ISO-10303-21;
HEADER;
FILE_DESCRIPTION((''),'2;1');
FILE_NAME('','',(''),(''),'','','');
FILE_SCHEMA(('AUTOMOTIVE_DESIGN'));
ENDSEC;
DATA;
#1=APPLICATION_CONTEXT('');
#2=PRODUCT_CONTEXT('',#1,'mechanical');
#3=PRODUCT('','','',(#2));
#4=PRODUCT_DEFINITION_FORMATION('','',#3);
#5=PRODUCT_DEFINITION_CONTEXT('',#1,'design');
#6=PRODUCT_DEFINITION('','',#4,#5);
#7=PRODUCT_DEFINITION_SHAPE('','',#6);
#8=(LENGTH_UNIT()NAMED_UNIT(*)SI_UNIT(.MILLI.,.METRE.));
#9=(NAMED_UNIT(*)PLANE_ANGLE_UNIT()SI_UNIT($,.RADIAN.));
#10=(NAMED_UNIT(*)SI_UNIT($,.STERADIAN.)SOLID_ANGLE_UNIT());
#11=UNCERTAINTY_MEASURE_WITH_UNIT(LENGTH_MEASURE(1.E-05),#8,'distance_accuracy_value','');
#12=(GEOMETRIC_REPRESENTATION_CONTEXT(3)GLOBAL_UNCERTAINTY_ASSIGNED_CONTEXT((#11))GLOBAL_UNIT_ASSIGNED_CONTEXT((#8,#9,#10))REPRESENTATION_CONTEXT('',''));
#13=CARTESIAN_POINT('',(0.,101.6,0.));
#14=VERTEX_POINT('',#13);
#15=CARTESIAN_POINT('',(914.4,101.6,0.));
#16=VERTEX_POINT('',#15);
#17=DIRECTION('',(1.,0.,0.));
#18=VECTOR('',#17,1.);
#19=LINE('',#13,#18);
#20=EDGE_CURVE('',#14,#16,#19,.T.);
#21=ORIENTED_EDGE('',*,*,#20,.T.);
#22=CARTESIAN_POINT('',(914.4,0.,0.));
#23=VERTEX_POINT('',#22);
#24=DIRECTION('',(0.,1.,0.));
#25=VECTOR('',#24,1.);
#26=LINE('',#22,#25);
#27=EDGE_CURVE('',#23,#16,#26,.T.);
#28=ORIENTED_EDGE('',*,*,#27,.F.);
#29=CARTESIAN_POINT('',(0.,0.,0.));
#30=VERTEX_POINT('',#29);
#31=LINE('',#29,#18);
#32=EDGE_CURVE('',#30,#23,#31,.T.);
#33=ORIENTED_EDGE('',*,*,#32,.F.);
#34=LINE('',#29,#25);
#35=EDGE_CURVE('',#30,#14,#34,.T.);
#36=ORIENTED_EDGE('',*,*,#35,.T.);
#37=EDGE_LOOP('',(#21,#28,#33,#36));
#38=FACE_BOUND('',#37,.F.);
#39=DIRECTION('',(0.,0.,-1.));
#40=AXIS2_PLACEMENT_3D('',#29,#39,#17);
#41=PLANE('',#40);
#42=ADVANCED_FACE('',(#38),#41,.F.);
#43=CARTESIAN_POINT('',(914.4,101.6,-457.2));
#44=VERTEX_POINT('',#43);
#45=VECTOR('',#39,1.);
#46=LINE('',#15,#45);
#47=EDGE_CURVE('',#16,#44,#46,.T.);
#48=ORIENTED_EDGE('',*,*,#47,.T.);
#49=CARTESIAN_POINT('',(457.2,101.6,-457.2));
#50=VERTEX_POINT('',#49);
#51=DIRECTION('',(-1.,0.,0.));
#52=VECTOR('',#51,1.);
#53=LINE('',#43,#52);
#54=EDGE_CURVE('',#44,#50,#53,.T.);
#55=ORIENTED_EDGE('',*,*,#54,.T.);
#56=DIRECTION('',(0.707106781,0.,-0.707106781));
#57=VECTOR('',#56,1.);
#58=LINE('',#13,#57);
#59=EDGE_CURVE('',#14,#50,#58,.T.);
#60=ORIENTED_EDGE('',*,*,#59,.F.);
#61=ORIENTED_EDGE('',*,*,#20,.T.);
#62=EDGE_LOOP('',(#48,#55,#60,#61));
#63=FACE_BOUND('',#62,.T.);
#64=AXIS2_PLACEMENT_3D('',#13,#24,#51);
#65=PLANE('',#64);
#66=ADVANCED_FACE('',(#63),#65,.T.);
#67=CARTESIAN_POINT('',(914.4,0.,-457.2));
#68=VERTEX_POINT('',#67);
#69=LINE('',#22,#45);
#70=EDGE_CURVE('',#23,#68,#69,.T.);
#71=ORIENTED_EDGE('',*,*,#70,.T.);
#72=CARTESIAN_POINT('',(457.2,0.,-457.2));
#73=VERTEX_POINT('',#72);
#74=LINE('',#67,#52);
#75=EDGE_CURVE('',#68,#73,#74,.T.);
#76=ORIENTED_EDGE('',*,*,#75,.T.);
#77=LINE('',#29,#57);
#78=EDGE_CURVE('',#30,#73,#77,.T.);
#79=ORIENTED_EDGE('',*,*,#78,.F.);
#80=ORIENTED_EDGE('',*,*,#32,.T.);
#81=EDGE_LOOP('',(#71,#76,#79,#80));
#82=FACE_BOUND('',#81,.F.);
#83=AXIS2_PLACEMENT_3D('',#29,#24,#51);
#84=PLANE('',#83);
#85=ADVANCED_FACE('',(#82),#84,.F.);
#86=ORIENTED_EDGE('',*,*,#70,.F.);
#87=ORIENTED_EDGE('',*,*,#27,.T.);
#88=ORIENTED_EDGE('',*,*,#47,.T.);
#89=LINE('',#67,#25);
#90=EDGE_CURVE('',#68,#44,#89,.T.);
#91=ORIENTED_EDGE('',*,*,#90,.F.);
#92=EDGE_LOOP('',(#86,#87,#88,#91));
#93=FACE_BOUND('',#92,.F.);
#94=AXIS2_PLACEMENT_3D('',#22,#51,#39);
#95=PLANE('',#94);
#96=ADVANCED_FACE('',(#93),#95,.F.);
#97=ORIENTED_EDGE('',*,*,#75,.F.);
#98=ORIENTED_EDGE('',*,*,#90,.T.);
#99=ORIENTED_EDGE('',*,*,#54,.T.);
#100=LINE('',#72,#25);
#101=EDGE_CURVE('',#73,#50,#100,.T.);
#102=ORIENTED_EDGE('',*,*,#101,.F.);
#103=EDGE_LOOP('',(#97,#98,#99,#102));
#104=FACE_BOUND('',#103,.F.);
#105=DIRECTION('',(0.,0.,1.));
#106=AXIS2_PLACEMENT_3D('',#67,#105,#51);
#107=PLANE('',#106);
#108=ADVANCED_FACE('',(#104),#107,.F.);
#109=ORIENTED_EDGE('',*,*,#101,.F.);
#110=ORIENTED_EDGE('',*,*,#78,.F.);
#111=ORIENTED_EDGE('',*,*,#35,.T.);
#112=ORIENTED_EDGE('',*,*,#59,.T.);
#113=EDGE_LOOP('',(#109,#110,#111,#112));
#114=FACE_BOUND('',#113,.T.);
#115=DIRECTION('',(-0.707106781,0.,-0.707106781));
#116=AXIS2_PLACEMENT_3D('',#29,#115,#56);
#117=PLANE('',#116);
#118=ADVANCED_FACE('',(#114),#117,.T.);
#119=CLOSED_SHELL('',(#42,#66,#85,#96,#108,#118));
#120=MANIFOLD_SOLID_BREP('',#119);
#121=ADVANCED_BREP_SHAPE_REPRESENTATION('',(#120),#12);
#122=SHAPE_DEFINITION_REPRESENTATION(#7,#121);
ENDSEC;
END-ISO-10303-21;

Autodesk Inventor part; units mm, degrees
ref_plane "YZ Plane" through (0, 0, 0) normal (1, 0, 0) x (0, 1, 0)
ref_plane "XZ Plane" through (0, 0, 0) normal (0, 1, 0) x (-1, 0, 0)
ref_plane "XY Plane" through (0, 0, 0) normal (0, 0, 1) x (1, 0, 0)
sketch "Sketch2" plane through (0, 0, 0) normal (0, 1, 0) x (-1, 0, 0)
  line L0 (0, 0) -> (-914.4, 0)
  line L1 (-914.4, 0) -> (-914.4, -457.2)
  line L2 (-914.4, -457.2) -> (0, -457.2)
  line L3 (0, -457.2) -> (0, 0)
  line L4 (0, 0) -> (-457.2, -457.2)
  line L5 (0, 0) -> (646.5784, 0) construction
  dimension "d3" = 914.4
  dimension "d4" = 457.2
  dimension "d5" = 135
extrude "Extrusion1" add sketch "Sketch2" along normal blind 101.6 contours L4 L2 L1 L0
properties part number "TreadL"
